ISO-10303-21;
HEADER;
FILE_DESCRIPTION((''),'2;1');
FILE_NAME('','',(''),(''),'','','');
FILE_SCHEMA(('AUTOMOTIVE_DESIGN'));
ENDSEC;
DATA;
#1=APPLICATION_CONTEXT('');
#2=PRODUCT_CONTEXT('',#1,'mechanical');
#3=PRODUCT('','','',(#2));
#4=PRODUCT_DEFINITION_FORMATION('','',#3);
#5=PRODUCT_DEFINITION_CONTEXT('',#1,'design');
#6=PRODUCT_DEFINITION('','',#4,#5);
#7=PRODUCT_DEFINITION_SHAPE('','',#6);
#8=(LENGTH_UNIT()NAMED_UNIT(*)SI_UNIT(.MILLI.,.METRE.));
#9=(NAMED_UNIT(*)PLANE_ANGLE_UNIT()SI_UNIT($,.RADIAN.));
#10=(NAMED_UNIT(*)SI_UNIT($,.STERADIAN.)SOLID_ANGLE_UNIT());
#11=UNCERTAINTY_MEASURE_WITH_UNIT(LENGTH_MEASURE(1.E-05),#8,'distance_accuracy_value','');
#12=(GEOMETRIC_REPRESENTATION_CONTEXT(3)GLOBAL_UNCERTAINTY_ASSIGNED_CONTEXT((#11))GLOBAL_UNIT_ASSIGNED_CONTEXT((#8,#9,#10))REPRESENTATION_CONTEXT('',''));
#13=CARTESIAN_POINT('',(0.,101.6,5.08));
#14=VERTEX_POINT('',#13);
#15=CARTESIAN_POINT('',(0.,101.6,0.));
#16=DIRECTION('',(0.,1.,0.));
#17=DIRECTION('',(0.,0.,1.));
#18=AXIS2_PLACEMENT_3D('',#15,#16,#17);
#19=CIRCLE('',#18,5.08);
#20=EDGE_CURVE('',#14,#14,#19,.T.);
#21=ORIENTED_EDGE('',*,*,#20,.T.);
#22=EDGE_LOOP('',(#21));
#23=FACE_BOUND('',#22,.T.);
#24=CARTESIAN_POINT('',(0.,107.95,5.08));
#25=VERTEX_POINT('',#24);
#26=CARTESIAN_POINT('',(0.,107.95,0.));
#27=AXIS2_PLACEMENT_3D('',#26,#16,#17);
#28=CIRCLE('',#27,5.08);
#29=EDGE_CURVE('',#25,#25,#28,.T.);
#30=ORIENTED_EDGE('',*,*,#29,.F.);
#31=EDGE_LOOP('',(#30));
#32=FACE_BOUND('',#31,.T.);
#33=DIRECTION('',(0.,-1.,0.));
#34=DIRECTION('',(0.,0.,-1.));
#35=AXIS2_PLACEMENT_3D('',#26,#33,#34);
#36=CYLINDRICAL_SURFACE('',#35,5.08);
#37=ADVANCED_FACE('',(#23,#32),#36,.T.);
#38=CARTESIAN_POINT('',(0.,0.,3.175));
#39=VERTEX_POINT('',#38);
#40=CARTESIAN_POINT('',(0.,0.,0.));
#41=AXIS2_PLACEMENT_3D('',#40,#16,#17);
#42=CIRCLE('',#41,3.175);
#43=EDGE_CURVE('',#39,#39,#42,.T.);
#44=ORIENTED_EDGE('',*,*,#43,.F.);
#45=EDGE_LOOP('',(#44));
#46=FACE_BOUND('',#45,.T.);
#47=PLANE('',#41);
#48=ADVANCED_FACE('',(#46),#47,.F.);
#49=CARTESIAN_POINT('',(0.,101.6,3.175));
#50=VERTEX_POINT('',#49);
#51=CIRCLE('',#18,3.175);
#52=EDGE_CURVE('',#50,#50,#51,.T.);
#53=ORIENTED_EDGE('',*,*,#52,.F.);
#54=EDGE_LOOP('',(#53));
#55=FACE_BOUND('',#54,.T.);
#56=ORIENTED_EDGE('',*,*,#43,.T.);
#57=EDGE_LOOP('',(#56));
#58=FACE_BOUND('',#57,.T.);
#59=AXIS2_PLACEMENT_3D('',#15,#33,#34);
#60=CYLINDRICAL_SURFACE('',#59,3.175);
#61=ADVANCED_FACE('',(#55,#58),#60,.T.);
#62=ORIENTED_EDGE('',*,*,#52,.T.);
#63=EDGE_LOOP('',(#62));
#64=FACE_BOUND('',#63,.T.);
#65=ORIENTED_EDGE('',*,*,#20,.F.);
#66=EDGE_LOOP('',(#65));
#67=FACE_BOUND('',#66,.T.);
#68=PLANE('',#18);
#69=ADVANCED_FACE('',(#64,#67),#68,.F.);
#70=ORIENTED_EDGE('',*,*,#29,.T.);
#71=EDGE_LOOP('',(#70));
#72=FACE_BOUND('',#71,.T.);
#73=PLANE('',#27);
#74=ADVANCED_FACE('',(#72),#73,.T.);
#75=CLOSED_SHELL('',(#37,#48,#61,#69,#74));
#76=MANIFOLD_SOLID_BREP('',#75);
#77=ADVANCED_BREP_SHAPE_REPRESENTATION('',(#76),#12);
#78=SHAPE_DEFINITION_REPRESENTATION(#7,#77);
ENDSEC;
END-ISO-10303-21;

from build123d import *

# Parameters (mm, degrees)
SKETCH1_R           = 3.175
BOSS_EXTRUDE1_DEPTH = 101.6
SKETCH2_R           = 5.08
BOSS_EXTRUDE2_DEPTH = 6.35


with BuildPart() as part:
    # Sketch1 → Boss-Extrude1 (new body)
    with BuildSketch(Plane(origin=(0, 0, 0), x_dir=(1, 0, 0), z_dir=(0, 1, 0))):
        Circle(SKETCH1_R)
    extrude(amount=BOSS_EXTRUDE1_DEPTH)

    # Sketch2 → Boss-Extrude2 (add)
    with BuildSketch(Plane(origin=(0, 101.6, 0), x_dir=(1, 0, 0), z_dir=(0, 1, 0))):
        Circle(SKETCH2_R)
    extrude(amount=BOSS_EXTRUDE2_DEPTH)


solid = part.part
